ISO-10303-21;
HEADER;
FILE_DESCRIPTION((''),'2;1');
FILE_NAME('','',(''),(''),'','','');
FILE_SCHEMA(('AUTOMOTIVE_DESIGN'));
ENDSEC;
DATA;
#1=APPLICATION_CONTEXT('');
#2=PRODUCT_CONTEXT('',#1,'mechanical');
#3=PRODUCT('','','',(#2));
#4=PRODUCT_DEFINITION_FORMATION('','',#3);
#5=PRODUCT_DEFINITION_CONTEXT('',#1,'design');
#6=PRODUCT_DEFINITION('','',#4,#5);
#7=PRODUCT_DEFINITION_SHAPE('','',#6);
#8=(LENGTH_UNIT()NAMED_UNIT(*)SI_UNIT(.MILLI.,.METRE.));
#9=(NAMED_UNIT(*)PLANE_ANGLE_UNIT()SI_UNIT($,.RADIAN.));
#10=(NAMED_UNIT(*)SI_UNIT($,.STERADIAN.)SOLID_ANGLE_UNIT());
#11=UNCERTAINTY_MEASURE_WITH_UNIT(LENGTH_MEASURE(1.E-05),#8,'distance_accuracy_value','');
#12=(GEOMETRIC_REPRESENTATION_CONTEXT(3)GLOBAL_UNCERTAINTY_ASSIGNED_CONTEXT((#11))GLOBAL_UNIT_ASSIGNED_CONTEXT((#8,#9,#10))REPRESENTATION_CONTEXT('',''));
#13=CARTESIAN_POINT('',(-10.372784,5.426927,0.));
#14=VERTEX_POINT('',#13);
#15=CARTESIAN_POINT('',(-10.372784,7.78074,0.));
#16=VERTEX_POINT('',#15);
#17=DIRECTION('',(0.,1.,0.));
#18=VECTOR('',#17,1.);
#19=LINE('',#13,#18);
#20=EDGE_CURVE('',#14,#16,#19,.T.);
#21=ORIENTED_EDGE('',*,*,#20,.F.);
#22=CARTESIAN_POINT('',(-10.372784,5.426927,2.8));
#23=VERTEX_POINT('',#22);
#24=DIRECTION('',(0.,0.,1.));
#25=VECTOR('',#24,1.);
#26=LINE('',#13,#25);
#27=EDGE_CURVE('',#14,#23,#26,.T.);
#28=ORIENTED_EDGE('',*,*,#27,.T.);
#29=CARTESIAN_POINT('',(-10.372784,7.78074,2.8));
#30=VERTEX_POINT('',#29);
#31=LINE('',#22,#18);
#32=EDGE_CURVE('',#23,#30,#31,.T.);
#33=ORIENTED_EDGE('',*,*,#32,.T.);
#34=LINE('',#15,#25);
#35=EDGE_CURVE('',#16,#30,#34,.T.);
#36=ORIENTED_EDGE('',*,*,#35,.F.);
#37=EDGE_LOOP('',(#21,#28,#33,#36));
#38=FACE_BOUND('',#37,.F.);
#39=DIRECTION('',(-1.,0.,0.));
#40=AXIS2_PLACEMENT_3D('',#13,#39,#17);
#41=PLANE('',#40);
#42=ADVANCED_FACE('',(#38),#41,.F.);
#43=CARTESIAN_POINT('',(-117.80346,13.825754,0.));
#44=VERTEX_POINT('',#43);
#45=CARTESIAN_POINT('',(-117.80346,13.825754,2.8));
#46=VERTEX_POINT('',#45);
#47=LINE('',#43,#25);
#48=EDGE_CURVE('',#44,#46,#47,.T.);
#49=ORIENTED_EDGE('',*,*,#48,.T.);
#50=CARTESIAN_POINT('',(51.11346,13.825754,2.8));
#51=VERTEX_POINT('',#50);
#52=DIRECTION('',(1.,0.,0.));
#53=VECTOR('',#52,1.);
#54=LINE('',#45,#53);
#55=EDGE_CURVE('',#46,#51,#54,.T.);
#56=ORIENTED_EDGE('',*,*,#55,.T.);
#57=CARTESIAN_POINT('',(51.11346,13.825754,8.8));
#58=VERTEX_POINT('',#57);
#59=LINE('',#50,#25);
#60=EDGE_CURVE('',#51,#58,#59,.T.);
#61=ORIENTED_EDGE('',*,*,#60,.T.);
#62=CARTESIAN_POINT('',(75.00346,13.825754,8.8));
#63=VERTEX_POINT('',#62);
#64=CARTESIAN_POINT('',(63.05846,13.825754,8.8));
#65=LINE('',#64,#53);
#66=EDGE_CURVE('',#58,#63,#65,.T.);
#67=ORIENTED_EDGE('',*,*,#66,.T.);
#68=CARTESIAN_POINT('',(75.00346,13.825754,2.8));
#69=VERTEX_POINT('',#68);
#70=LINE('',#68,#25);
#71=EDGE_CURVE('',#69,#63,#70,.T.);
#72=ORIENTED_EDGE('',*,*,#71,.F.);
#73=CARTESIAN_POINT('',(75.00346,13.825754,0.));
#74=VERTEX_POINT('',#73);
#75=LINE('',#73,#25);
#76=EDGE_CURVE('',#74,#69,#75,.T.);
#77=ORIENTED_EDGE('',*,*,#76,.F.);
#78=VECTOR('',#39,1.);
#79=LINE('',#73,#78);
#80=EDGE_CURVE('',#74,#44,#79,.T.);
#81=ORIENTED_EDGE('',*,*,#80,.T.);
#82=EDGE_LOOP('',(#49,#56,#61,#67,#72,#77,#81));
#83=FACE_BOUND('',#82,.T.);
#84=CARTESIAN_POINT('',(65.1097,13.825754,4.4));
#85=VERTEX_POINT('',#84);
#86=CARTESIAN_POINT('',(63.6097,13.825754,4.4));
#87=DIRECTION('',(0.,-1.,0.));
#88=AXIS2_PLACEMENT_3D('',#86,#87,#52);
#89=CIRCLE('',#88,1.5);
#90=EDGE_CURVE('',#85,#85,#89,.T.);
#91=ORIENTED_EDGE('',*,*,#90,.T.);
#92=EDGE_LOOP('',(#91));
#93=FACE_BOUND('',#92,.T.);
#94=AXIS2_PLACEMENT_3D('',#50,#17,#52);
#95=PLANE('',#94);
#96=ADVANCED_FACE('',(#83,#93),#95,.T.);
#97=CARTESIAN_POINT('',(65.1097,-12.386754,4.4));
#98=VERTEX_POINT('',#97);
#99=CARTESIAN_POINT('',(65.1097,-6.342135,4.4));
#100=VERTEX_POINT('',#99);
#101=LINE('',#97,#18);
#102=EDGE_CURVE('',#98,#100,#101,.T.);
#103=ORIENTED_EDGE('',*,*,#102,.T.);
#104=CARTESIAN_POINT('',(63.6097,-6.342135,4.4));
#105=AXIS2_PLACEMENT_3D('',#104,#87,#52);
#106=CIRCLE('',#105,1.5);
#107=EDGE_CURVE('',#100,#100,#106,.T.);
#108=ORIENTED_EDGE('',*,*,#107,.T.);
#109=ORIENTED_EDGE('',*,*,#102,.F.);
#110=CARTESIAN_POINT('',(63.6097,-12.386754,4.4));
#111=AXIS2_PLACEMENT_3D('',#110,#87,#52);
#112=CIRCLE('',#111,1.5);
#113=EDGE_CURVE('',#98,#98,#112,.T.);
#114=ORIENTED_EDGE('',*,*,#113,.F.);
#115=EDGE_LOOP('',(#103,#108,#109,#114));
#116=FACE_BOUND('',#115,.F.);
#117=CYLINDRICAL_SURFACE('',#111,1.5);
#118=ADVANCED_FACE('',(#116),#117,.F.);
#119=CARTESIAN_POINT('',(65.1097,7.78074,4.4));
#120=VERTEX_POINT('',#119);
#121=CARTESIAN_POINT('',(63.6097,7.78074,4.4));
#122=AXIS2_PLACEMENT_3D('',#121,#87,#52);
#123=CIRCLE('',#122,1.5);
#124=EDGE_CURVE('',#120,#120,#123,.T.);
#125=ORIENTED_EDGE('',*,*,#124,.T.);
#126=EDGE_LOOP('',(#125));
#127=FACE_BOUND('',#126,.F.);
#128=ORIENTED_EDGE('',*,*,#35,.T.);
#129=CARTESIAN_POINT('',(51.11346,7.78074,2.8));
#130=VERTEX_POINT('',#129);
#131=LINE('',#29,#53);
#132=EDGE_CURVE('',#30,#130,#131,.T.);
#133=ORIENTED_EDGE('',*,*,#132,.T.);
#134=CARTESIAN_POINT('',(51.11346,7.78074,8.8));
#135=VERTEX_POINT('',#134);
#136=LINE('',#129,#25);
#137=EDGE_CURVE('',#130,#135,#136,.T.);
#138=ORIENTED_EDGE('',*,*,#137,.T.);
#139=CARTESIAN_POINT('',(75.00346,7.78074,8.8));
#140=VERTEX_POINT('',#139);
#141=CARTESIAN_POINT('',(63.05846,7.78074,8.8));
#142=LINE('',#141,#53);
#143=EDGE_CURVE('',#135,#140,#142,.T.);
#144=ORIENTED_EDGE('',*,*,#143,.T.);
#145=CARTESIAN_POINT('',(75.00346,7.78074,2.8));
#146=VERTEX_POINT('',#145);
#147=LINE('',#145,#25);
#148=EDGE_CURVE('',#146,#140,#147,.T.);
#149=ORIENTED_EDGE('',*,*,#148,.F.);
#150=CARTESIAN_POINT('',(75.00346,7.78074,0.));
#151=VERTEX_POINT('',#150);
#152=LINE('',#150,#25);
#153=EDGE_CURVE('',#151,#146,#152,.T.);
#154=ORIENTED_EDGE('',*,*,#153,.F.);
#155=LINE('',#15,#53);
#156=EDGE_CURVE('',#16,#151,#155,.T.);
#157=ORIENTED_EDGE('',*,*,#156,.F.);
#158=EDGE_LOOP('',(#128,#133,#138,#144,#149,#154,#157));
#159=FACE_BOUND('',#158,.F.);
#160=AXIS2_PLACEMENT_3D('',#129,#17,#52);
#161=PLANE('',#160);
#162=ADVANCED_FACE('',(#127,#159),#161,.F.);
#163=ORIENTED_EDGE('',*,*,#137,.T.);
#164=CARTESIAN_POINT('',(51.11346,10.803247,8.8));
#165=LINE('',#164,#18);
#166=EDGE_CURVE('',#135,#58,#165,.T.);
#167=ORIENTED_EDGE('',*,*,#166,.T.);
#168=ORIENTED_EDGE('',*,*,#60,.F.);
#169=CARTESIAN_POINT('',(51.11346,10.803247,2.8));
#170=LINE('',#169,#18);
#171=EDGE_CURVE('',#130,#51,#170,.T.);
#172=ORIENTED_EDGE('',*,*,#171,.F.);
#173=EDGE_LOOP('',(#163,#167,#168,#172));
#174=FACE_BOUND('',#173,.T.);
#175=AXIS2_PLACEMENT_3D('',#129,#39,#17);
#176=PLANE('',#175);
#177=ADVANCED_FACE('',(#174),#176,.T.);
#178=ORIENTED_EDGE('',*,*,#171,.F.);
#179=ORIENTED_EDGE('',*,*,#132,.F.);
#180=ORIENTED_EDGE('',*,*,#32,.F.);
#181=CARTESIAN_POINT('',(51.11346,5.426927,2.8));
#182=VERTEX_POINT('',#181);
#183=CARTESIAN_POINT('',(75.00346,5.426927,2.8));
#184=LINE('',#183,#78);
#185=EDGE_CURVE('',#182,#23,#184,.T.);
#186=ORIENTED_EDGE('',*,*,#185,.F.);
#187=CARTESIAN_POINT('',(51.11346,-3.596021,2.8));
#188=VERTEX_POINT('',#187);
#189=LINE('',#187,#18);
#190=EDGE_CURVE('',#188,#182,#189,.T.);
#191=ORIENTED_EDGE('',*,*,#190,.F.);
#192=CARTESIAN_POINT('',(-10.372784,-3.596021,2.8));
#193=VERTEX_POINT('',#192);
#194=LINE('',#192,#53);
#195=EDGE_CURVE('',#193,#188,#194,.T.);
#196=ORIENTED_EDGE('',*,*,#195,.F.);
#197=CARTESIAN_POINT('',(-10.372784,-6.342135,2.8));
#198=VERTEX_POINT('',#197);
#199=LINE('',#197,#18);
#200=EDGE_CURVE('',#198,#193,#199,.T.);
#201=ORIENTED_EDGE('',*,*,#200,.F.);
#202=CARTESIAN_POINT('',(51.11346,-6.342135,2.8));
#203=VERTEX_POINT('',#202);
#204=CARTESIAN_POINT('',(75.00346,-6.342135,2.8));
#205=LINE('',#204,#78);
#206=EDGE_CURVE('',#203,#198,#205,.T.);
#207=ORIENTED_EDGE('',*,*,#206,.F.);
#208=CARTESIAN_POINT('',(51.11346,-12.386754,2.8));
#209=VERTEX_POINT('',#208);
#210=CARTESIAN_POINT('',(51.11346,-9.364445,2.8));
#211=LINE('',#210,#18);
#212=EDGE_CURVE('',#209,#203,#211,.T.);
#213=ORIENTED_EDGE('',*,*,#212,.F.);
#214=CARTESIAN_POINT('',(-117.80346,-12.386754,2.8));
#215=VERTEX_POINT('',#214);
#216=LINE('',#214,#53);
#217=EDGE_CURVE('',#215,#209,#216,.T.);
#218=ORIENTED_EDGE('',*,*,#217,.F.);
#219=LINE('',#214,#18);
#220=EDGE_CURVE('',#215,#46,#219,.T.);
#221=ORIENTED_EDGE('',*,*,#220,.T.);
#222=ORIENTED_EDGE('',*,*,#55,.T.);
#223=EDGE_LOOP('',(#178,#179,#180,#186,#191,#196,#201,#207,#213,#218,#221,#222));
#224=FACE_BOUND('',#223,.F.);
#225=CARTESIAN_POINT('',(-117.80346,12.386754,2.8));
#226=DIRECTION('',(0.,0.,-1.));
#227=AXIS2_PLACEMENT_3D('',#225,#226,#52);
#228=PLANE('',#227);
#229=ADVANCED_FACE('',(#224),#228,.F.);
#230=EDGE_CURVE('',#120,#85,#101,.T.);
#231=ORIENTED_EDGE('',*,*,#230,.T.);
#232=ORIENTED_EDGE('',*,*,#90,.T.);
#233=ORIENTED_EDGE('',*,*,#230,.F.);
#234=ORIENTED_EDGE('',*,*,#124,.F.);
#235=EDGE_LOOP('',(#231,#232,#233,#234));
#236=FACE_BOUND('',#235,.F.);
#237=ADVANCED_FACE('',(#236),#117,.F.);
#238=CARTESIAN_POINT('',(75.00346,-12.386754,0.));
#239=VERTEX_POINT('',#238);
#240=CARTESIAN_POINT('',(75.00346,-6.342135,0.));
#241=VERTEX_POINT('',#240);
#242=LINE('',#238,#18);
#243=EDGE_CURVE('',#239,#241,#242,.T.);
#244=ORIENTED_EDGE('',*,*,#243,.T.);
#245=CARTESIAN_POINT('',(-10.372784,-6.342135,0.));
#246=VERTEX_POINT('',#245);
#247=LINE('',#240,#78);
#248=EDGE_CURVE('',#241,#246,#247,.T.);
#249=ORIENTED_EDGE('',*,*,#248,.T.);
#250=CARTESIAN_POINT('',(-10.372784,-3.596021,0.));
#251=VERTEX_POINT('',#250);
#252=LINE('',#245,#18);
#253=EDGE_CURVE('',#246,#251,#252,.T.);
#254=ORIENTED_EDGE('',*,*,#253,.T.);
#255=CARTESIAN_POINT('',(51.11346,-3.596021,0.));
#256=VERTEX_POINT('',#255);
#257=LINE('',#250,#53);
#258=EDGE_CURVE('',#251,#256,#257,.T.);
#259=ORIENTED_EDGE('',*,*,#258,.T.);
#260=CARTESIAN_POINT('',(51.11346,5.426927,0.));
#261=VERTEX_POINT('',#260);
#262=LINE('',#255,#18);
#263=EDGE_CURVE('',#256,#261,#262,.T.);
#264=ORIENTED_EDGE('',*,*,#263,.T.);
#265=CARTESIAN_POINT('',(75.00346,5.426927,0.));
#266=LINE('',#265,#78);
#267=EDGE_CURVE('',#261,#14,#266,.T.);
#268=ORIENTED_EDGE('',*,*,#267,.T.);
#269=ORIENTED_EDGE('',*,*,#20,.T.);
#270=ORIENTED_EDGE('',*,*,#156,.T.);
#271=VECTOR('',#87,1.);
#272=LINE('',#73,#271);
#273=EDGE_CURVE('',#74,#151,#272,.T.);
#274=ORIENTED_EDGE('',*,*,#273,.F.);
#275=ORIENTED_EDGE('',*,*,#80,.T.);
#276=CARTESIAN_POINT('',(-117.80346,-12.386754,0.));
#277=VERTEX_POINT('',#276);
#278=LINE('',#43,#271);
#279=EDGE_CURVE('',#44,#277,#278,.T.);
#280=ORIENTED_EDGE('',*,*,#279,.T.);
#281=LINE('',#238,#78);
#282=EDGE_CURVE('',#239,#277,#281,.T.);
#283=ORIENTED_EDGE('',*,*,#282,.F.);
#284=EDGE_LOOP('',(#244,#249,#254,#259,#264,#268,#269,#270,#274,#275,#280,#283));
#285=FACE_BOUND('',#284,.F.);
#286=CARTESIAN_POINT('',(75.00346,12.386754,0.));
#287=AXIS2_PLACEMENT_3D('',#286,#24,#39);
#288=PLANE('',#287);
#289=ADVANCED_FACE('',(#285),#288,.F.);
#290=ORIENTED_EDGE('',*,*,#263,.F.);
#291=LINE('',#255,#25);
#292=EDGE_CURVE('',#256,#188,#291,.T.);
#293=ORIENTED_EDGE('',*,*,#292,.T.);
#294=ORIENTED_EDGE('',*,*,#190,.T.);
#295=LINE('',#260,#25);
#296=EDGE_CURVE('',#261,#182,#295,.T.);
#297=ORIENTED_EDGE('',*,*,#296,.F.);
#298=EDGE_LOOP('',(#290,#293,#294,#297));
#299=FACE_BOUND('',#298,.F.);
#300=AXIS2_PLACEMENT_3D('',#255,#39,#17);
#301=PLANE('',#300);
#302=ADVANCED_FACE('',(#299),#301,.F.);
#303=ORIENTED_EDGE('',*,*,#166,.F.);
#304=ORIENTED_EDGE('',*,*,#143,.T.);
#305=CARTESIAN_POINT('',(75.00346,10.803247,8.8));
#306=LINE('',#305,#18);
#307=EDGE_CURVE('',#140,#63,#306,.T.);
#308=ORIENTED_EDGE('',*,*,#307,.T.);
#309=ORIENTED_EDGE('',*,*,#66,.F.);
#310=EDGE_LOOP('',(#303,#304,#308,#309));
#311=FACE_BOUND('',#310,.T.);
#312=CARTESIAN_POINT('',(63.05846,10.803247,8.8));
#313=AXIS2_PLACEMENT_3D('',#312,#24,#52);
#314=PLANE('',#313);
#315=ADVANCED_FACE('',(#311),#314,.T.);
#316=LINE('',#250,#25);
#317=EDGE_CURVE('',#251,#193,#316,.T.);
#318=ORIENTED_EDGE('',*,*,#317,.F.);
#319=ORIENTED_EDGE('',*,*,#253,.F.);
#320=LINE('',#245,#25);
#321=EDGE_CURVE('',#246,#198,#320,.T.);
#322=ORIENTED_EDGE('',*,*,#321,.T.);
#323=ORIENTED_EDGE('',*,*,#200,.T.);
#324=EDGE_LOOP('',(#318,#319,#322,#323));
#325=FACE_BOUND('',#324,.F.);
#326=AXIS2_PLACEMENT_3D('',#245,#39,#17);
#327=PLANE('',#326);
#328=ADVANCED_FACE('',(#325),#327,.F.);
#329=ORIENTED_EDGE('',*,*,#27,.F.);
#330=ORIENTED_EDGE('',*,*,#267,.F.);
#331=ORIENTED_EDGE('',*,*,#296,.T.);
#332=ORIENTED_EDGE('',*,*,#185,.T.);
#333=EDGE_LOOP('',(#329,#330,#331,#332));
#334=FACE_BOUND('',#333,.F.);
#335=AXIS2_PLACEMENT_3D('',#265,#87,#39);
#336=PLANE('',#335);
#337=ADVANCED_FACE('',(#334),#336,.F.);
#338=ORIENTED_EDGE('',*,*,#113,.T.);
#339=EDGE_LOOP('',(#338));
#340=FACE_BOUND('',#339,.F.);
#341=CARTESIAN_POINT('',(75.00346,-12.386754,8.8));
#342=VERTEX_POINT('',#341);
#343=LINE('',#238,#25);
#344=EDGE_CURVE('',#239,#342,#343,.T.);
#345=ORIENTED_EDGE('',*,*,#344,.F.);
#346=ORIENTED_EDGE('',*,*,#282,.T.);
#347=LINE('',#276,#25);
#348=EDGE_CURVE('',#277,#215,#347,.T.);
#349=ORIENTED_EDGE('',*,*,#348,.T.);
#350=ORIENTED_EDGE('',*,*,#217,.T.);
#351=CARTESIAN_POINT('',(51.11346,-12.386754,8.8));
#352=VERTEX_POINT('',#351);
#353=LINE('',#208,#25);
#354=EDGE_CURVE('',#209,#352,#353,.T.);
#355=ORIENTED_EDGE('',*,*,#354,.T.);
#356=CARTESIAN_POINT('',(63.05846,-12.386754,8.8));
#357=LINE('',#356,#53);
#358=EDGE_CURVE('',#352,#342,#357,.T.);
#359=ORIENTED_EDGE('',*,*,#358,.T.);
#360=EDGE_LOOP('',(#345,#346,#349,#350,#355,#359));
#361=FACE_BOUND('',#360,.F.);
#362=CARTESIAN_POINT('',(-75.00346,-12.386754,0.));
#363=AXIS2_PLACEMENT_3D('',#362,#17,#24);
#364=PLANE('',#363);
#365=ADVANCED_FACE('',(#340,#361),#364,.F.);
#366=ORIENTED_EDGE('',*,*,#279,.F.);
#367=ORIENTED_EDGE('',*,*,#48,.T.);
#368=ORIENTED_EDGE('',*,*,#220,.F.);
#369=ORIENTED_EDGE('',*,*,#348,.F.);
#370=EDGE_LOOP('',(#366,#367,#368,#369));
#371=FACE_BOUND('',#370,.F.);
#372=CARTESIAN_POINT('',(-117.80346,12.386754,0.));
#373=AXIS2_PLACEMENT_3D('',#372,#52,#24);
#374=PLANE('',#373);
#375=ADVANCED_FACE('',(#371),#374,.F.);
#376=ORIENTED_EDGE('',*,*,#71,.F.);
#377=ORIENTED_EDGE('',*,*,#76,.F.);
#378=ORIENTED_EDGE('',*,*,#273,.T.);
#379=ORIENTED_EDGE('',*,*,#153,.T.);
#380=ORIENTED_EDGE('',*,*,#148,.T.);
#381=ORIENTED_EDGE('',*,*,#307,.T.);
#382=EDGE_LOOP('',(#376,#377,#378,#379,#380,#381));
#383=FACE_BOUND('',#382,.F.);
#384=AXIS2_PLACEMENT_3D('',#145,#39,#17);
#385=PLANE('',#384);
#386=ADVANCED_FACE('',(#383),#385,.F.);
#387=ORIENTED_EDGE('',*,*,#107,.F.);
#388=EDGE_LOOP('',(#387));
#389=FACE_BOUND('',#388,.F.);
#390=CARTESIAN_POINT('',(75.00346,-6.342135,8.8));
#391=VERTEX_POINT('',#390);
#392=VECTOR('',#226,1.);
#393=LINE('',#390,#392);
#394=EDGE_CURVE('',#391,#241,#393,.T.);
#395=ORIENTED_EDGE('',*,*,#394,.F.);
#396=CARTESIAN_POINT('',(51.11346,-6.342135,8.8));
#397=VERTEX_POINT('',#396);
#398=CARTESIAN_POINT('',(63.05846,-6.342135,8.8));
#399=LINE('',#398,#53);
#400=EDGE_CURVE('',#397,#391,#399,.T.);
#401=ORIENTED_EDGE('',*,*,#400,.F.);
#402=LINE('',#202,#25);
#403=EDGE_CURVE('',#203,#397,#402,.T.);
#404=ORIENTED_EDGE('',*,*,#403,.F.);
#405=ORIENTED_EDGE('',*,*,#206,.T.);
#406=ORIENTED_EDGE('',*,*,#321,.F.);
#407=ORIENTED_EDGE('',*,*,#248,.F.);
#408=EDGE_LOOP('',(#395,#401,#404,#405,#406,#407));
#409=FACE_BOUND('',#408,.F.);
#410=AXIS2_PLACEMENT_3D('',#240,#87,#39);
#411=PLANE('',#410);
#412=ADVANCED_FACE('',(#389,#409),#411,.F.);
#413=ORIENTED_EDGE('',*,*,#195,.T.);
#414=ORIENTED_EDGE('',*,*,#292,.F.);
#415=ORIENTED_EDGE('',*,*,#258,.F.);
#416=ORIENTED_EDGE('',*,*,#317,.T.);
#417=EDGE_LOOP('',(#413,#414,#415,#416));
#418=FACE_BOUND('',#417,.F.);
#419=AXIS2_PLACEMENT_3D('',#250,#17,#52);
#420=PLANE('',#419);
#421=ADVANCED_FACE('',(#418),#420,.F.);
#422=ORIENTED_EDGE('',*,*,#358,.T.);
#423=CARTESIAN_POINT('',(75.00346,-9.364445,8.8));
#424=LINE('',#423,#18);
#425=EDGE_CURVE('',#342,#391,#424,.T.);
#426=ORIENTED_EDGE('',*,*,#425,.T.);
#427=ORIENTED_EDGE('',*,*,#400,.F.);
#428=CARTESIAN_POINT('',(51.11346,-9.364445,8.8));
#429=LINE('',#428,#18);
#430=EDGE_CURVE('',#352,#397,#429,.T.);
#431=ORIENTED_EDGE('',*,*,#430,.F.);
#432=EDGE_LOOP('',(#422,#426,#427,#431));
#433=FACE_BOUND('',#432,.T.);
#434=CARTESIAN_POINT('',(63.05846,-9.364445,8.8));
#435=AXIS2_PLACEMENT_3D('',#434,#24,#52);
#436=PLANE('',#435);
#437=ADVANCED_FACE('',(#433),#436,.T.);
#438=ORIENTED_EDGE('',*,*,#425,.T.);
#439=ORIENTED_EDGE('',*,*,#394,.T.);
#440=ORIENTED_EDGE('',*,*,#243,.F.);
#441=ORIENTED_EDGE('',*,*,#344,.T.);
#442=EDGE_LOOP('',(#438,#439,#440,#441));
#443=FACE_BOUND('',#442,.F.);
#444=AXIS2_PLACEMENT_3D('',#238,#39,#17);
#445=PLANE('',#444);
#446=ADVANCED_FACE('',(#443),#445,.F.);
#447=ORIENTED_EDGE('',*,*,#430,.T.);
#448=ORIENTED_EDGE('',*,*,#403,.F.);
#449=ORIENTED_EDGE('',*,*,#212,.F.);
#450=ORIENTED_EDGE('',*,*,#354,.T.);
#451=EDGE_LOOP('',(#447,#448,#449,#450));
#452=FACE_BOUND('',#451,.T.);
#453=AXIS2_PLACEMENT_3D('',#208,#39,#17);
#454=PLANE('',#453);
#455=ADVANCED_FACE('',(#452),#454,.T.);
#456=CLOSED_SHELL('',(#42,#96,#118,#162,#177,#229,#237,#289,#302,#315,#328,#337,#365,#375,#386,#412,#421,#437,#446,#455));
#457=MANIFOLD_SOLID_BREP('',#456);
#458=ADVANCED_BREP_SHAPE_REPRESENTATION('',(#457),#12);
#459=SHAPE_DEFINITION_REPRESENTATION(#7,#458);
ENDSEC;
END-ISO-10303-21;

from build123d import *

# Parameters (mm, degrees)
F1_DEPTH = 2.8
F2_DEPTH = 42.8
F3_DEPTH = 1.439
F4_DEPTH = 85.376
F5_W     = 23.89
F5_H     = 6.0450145833
F5_H_2   = 6.0446187854
F6_DEPTH = 6
F7_R     = 1.5
F8_DEPTH = 27.5
F9_DEPTH = 23.89


with BuildPart() as f1:
    # F0 (on Top) → F1 (new body)
    with BuildSketch(Plane.XY):
        Polygon((-75.0034600496, -12.3867541552), (75.0034600496, -12.3867541552), (75.0034600496, -6.3421353698), (-10.3727839887, -6.3421353698), (-10.3727839887, -3.5960208625), (75.0034600496, -3.5960208625), (75.0034600496, 5.426927004), (-10.3727839887, 5.426927004), (-10.3727839887, 7.7807395719), (75.0034600496, 7.7807395719), (75.0034600496, 12.3867541552), (-75.0034600496, 12.3867541552), align=None)
    extrude(amount=F1_DEPTH)

    # F2 (add): a face of the model
    f2_faces = [f1.faces().sort_by_distance(p)[0] for p in [
        (-75.0034600496, 0, 1.4),
    ]]
    extrude(f2_faces, amount=F2_DEPTH)

    # F3 (add): a face of the model
    f3_faces = [f1.faces().sort_by_distance(p)[0] for p in [
        (-21.4, 12.3867541552, 1.4),
    ]]
    extrude(f3_faces, amount=F3_DEPTH)

    # F4 (cut): a face of the model
    f4_faces = [f1.faces().sort_by_distance(p)[0] for p in [
        (-21.4, 13.8257541552, 1.4),
    ]]
    extrude(f4_faces, amount=F4_DEPTH, mode=Mode.SUBTRACT)

    # F5 (on face) → F6 (join)
    with BuildSketch(Plane.XY.offset(2.8)):
        with Locations((63.0584600496, 10.8032468635)):
            Rectangle(F5_W, F5_H)
        with Locations((63.0584600496, -9.3644447625)):
            Rectangle(F5_W, F5_H_2)
    extrude(amount=F6_DEPTH)

    # F7 (on face) → F8 (cut)
    with BuildSketch(Plane.XZ.offset(12.3867541552)):
        with Locations((63.6097000496, 4.4)):
            Circle(F7_R)
    extrude(amount=-F8_DEPTH, mode=Mode.SUBTRACT)

    # F9 (cut): a face of the model
    f9_faces = [f1.faces().sort_by_distance(p)[0] for p in [
        (75.0034600496, 0.9154530708, 1.4),
    ]]
    extrude(f9_faces, amount=-F9_DEPTH, mode=Mode.SUBTRACT)


solid = f1.part
